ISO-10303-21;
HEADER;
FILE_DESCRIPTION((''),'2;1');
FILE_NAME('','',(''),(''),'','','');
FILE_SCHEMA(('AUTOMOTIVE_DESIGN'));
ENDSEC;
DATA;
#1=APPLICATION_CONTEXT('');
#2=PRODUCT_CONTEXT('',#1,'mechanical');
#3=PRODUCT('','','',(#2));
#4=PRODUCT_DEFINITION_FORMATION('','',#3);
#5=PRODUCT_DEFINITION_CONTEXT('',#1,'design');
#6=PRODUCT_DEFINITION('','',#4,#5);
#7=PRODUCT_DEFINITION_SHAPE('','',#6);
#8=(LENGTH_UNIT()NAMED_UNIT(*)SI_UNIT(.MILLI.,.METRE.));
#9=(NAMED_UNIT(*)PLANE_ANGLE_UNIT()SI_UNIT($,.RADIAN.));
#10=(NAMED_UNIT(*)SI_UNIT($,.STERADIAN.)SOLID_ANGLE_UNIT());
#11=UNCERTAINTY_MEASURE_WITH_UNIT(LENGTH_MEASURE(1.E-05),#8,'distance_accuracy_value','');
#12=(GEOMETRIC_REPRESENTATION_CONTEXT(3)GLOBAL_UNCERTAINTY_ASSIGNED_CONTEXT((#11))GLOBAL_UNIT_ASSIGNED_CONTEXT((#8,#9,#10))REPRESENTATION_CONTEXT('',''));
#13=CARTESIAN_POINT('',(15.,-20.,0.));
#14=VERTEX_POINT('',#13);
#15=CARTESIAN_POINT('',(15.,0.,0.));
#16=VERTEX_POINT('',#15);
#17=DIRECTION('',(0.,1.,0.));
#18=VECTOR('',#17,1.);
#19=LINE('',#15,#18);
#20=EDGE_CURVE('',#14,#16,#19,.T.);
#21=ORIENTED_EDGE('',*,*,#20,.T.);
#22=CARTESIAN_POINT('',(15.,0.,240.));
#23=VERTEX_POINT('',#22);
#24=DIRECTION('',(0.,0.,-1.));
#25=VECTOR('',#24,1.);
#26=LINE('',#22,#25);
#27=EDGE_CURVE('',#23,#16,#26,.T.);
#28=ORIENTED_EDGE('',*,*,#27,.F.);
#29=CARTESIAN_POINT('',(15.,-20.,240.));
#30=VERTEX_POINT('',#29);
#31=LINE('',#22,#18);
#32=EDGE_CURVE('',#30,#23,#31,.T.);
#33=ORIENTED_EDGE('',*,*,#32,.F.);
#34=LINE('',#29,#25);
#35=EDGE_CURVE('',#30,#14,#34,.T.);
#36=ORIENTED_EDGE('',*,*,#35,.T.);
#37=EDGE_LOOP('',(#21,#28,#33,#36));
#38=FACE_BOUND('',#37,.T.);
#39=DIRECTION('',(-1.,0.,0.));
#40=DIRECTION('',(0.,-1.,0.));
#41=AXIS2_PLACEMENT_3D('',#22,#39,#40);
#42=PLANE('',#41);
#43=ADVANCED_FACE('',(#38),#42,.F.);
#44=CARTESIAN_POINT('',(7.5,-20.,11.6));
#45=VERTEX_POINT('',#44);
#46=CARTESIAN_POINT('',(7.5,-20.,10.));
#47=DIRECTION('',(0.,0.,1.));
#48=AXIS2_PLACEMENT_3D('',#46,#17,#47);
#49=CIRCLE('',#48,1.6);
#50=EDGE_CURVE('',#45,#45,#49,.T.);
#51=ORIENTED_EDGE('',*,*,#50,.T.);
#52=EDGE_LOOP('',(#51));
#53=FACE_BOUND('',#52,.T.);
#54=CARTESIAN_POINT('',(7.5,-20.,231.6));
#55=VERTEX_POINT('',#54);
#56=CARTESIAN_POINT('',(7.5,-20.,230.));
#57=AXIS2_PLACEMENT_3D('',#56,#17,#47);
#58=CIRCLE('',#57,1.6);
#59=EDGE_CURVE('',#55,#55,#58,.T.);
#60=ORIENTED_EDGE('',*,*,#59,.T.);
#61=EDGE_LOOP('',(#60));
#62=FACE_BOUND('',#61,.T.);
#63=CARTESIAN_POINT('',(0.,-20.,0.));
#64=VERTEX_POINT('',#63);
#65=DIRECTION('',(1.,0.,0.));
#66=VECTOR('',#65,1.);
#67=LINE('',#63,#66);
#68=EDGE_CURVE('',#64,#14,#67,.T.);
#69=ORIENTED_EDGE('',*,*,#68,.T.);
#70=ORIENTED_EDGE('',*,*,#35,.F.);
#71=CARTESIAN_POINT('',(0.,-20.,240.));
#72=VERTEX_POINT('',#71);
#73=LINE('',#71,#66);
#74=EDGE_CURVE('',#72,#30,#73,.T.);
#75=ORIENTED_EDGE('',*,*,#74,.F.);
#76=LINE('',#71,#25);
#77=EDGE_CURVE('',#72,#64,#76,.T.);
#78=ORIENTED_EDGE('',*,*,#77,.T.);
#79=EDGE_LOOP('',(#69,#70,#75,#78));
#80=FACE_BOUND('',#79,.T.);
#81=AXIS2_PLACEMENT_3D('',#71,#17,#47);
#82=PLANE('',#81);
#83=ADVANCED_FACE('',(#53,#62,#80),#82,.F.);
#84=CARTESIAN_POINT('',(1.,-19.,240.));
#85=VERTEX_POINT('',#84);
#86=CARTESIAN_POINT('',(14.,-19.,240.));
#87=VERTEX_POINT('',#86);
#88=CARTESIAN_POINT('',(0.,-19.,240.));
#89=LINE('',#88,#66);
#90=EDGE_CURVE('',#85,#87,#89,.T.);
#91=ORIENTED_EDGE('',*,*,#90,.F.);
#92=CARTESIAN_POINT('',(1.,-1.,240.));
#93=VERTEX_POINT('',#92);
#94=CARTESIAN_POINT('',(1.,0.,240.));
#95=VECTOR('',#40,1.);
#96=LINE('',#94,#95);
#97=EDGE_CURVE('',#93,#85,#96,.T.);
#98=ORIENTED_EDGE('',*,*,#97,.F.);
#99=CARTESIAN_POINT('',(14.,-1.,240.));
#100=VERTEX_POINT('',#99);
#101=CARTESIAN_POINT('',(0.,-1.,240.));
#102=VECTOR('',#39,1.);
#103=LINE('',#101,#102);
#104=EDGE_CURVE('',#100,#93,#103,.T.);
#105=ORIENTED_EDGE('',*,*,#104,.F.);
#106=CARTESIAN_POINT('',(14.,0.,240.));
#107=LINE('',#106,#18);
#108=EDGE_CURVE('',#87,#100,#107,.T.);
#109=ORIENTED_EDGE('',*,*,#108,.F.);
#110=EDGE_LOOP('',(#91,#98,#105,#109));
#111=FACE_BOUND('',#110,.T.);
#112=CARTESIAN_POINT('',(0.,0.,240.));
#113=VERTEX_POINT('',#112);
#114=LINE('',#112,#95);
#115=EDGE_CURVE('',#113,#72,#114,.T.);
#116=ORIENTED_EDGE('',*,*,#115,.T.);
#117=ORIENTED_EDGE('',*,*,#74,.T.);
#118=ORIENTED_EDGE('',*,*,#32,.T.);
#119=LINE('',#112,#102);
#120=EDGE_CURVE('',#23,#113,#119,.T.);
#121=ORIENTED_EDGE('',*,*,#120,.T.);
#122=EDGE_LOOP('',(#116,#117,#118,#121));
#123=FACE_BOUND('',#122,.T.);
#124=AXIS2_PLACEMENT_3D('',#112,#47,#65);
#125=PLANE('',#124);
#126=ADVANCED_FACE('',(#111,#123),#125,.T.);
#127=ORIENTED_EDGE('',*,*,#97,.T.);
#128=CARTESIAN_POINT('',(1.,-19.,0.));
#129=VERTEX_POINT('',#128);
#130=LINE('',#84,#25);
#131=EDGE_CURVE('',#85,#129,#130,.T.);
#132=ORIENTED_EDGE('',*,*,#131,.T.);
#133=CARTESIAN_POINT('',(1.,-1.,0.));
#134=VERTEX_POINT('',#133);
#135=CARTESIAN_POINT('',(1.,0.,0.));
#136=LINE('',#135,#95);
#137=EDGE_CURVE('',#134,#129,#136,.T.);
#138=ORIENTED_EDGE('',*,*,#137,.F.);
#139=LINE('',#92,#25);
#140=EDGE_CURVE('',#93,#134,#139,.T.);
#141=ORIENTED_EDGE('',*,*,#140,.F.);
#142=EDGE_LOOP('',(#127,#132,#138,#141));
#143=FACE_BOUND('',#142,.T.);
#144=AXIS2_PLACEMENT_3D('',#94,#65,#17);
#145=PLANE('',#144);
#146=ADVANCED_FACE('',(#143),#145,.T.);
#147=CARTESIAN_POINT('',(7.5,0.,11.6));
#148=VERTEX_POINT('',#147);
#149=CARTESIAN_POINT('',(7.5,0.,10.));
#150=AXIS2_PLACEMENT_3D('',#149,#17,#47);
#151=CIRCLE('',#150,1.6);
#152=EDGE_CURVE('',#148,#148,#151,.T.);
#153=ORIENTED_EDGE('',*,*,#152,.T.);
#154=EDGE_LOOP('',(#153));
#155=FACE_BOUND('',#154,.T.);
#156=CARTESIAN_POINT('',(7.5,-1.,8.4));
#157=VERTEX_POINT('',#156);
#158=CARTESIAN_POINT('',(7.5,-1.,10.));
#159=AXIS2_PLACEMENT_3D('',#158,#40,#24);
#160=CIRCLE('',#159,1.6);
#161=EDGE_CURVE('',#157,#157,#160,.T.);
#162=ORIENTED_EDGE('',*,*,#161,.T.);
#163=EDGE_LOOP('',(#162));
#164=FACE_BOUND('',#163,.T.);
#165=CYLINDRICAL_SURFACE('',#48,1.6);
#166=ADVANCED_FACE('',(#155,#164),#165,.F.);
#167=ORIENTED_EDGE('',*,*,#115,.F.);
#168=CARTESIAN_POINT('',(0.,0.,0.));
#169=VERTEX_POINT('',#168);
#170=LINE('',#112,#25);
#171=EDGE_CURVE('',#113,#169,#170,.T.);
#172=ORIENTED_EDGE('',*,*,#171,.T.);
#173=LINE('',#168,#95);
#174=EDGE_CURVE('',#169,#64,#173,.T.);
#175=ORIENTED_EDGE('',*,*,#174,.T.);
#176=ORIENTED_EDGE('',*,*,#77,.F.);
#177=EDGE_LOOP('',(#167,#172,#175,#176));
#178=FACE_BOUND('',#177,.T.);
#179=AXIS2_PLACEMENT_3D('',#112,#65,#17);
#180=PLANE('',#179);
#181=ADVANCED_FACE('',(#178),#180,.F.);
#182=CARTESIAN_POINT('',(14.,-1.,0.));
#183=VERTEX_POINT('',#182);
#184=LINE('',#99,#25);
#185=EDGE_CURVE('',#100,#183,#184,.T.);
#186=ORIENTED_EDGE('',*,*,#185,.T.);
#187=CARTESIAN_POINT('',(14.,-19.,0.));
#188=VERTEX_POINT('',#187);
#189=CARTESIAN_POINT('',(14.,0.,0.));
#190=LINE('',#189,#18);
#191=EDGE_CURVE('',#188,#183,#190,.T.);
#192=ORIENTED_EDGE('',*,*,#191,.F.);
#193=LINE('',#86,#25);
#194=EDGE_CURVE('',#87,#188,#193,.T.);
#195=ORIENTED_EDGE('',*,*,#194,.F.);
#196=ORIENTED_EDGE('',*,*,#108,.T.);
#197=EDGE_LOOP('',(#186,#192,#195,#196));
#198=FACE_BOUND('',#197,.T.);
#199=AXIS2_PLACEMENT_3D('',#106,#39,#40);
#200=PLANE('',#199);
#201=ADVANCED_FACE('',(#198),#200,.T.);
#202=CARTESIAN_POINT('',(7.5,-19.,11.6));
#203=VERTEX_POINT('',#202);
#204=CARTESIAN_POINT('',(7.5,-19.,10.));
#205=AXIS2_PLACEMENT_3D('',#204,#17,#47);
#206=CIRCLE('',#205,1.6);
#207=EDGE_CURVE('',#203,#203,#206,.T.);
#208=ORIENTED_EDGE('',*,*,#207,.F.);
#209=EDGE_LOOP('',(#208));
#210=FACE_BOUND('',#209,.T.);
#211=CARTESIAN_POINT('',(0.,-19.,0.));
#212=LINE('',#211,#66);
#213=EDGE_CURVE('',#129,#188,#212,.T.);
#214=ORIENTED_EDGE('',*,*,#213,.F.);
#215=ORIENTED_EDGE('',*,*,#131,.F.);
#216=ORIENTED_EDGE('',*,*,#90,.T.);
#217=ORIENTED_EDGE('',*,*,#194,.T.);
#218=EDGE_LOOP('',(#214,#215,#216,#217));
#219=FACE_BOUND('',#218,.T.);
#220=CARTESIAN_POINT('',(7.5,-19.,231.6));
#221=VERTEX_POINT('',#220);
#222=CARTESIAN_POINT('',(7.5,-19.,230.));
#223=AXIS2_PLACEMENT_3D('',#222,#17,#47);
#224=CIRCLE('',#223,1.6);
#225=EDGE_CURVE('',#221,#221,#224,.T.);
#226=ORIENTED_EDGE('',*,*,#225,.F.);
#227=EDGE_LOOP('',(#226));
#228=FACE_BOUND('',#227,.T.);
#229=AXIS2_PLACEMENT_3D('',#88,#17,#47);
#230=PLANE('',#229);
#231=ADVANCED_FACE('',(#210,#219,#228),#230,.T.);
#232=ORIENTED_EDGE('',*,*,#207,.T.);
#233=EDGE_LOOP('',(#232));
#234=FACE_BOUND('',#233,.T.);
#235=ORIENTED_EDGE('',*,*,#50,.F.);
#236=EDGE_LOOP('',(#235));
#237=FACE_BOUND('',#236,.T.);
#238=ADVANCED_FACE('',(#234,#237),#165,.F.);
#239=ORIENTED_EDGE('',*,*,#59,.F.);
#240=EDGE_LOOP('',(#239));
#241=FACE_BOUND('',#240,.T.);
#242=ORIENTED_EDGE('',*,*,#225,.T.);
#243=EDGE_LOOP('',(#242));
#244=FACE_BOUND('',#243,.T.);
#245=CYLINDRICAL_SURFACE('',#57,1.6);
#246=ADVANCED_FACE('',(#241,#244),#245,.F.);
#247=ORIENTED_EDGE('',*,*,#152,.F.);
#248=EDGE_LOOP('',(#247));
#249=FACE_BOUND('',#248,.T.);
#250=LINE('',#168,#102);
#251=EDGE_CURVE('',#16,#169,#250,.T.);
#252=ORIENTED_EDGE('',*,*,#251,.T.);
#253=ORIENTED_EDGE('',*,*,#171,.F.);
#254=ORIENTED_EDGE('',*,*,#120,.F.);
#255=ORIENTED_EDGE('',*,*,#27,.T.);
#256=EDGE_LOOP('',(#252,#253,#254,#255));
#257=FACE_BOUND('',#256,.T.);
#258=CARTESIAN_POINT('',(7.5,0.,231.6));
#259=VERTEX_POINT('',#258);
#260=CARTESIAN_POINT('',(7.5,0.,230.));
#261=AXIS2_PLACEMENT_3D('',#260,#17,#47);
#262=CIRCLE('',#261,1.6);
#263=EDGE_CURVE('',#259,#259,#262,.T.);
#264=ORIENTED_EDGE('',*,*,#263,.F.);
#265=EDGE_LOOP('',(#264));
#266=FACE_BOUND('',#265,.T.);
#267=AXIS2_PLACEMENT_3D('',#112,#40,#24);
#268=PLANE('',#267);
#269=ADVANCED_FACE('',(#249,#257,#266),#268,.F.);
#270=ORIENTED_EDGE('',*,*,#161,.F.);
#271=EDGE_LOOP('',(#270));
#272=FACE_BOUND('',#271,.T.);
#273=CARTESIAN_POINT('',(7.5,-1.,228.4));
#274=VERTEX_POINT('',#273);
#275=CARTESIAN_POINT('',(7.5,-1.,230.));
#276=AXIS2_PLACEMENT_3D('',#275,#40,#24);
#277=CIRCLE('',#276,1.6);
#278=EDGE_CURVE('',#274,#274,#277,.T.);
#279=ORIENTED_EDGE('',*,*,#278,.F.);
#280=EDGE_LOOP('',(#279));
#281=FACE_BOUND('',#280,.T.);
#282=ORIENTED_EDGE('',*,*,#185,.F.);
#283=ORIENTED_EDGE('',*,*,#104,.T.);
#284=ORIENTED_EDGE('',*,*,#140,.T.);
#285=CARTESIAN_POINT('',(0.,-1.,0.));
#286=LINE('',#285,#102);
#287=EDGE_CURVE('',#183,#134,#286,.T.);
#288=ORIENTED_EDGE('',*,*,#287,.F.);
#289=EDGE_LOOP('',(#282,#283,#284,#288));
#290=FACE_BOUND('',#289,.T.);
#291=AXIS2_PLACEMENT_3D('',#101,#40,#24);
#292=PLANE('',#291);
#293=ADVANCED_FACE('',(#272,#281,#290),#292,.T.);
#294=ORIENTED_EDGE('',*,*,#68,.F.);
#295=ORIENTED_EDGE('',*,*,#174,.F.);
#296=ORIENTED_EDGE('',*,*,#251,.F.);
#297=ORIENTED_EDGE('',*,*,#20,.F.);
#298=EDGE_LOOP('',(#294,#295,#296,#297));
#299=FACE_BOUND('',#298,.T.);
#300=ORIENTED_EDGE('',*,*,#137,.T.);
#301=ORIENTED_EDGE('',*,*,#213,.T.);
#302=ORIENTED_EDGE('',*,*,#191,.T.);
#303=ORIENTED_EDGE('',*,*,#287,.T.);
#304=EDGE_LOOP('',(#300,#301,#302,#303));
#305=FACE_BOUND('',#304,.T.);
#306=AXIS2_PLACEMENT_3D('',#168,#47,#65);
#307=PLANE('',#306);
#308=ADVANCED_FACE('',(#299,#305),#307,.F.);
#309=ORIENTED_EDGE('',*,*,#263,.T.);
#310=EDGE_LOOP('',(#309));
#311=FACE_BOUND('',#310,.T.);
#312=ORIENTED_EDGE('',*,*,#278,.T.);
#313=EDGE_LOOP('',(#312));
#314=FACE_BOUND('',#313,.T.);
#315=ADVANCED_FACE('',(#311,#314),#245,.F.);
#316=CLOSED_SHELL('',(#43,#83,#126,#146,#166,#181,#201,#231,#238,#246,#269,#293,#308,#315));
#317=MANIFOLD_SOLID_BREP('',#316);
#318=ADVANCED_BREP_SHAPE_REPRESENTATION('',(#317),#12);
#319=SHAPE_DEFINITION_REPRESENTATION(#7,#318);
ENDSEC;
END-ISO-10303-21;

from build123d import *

# Parameters (mm, degrees)
SKETCH_1_W          = 15
SKETCH_1_H          = 20
SKETCH_1_W_2        = 13
SKETCH_1_H_2        = 18
EXTRUDE_1_DEPTH     = 240
SKETCH_3_R          = 1.6
CUT_EXTRUDE_2_DEPTH = 242.29857024


with BuildPart() as part:
    # 草图1 → 拉伸-薄壁1 (new body)
    with BuildSketch(Plane.XY):
        with Locations((7.5, -10)):
            Rectangle(SKETCH_1_W, SKETCH_1_H)
        with Locations((7.5, -10)):
            Rectangle(SKETCH_1_W_2, SKETCH_1_H_2, mode=Mode.SUBTRACT)
    extrude(amount=EXTRUDE_1_DEPTH)

    # 草图3 → 切除-拉伸2 (cut, through all)
    with BuildSketch(Plane(origin=(0, 0, 0), x_dir=(1, 0, 0), z_dir=(0, 1, 0))):
        with Locations(Location((7.5, -10, 0), (0, 0, 270))):
            Circle(SKETCH_3_R)
        with Locations(Location((7.5, -230, 0), (0, 0, 270))):
            Circle(SKETCH_3_R)
    extrude(amount=-CUT_EXTRUDE_2_DEPTH, mode=Mode.SUBTRACT)


solid = part.part
